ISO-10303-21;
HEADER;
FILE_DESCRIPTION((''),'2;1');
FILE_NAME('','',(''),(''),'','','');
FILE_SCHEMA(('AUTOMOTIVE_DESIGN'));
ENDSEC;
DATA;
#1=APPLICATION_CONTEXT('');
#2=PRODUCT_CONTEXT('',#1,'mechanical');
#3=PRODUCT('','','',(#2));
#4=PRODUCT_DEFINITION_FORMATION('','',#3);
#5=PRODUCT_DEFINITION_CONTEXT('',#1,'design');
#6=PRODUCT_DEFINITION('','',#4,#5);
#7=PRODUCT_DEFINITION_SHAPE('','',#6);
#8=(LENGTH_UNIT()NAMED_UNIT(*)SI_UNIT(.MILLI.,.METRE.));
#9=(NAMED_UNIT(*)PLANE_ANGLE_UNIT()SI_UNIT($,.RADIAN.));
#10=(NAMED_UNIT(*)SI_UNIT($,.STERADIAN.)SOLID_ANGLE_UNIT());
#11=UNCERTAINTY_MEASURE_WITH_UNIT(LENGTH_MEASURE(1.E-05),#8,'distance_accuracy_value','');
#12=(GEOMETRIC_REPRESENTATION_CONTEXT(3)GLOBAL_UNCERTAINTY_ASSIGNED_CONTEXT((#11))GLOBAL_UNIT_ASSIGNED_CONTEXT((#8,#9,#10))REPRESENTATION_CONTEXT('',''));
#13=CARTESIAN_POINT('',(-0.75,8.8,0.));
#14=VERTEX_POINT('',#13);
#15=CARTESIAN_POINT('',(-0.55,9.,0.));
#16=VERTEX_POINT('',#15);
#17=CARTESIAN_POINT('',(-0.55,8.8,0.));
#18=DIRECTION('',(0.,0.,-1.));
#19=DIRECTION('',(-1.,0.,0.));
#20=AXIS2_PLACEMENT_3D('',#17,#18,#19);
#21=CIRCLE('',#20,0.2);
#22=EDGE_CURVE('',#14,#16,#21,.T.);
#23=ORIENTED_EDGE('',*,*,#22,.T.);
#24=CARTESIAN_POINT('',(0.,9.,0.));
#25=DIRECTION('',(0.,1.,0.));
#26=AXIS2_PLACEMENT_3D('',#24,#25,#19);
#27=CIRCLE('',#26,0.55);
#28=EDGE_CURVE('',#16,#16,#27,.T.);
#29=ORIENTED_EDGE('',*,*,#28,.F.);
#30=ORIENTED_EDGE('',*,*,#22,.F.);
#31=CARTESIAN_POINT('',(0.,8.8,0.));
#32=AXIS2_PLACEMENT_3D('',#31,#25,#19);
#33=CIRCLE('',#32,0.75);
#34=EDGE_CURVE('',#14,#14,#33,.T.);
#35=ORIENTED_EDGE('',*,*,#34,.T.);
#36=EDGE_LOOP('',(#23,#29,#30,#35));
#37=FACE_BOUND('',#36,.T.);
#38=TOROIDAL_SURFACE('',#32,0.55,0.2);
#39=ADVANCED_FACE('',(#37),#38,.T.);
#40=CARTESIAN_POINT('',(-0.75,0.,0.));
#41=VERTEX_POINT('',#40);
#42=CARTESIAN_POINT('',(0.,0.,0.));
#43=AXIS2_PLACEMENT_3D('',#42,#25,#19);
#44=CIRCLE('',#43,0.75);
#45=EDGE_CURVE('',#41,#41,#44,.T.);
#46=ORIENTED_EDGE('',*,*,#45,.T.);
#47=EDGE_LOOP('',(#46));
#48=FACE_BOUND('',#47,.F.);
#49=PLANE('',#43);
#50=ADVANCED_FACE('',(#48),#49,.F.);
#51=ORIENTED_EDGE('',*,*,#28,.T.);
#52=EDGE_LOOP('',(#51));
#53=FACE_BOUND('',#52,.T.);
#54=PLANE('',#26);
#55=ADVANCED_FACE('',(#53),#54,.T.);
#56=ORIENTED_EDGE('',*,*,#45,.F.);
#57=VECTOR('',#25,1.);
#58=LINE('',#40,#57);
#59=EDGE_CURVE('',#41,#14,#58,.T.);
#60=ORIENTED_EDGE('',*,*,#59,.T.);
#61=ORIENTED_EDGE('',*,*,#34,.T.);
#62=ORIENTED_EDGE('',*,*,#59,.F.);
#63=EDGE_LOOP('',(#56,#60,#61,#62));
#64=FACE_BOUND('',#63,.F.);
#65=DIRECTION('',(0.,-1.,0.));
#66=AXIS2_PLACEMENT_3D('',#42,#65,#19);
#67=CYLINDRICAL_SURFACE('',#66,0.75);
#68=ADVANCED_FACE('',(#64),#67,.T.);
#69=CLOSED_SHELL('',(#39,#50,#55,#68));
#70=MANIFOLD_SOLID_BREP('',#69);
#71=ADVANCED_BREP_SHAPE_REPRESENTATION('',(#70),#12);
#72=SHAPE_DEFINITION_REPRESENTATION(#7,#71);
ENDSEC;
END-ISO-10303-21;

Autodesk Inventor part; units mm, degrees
ref_plane "YZ Plane" through (0, 0, 0) normal (1, 0, 0) x (0, 1, 0)
ref_plane "XZ Plane" through (0, 0, 0) normal (0, 1, 0) x (-1, 0, 0)
ref_plane "XY Plane" through (0, 0, 0) normal (0, 0, 1) x (1, 0, 0)
sketch "草图1" plane through (0, 0, 0) normal (0, 1, 0) x (-1, 0, 0)
  circle A0 centre (0, 0) radius 0.75
  dimension "d0" = 1.5
extrude "拉伸1" add sketch "草图1" along normal blind 9
fillet "圆角1" radius 0.2 1 edges at (0.75, 9, 0)
properties part number "DcMotor_Shift" material "铝 6061"
